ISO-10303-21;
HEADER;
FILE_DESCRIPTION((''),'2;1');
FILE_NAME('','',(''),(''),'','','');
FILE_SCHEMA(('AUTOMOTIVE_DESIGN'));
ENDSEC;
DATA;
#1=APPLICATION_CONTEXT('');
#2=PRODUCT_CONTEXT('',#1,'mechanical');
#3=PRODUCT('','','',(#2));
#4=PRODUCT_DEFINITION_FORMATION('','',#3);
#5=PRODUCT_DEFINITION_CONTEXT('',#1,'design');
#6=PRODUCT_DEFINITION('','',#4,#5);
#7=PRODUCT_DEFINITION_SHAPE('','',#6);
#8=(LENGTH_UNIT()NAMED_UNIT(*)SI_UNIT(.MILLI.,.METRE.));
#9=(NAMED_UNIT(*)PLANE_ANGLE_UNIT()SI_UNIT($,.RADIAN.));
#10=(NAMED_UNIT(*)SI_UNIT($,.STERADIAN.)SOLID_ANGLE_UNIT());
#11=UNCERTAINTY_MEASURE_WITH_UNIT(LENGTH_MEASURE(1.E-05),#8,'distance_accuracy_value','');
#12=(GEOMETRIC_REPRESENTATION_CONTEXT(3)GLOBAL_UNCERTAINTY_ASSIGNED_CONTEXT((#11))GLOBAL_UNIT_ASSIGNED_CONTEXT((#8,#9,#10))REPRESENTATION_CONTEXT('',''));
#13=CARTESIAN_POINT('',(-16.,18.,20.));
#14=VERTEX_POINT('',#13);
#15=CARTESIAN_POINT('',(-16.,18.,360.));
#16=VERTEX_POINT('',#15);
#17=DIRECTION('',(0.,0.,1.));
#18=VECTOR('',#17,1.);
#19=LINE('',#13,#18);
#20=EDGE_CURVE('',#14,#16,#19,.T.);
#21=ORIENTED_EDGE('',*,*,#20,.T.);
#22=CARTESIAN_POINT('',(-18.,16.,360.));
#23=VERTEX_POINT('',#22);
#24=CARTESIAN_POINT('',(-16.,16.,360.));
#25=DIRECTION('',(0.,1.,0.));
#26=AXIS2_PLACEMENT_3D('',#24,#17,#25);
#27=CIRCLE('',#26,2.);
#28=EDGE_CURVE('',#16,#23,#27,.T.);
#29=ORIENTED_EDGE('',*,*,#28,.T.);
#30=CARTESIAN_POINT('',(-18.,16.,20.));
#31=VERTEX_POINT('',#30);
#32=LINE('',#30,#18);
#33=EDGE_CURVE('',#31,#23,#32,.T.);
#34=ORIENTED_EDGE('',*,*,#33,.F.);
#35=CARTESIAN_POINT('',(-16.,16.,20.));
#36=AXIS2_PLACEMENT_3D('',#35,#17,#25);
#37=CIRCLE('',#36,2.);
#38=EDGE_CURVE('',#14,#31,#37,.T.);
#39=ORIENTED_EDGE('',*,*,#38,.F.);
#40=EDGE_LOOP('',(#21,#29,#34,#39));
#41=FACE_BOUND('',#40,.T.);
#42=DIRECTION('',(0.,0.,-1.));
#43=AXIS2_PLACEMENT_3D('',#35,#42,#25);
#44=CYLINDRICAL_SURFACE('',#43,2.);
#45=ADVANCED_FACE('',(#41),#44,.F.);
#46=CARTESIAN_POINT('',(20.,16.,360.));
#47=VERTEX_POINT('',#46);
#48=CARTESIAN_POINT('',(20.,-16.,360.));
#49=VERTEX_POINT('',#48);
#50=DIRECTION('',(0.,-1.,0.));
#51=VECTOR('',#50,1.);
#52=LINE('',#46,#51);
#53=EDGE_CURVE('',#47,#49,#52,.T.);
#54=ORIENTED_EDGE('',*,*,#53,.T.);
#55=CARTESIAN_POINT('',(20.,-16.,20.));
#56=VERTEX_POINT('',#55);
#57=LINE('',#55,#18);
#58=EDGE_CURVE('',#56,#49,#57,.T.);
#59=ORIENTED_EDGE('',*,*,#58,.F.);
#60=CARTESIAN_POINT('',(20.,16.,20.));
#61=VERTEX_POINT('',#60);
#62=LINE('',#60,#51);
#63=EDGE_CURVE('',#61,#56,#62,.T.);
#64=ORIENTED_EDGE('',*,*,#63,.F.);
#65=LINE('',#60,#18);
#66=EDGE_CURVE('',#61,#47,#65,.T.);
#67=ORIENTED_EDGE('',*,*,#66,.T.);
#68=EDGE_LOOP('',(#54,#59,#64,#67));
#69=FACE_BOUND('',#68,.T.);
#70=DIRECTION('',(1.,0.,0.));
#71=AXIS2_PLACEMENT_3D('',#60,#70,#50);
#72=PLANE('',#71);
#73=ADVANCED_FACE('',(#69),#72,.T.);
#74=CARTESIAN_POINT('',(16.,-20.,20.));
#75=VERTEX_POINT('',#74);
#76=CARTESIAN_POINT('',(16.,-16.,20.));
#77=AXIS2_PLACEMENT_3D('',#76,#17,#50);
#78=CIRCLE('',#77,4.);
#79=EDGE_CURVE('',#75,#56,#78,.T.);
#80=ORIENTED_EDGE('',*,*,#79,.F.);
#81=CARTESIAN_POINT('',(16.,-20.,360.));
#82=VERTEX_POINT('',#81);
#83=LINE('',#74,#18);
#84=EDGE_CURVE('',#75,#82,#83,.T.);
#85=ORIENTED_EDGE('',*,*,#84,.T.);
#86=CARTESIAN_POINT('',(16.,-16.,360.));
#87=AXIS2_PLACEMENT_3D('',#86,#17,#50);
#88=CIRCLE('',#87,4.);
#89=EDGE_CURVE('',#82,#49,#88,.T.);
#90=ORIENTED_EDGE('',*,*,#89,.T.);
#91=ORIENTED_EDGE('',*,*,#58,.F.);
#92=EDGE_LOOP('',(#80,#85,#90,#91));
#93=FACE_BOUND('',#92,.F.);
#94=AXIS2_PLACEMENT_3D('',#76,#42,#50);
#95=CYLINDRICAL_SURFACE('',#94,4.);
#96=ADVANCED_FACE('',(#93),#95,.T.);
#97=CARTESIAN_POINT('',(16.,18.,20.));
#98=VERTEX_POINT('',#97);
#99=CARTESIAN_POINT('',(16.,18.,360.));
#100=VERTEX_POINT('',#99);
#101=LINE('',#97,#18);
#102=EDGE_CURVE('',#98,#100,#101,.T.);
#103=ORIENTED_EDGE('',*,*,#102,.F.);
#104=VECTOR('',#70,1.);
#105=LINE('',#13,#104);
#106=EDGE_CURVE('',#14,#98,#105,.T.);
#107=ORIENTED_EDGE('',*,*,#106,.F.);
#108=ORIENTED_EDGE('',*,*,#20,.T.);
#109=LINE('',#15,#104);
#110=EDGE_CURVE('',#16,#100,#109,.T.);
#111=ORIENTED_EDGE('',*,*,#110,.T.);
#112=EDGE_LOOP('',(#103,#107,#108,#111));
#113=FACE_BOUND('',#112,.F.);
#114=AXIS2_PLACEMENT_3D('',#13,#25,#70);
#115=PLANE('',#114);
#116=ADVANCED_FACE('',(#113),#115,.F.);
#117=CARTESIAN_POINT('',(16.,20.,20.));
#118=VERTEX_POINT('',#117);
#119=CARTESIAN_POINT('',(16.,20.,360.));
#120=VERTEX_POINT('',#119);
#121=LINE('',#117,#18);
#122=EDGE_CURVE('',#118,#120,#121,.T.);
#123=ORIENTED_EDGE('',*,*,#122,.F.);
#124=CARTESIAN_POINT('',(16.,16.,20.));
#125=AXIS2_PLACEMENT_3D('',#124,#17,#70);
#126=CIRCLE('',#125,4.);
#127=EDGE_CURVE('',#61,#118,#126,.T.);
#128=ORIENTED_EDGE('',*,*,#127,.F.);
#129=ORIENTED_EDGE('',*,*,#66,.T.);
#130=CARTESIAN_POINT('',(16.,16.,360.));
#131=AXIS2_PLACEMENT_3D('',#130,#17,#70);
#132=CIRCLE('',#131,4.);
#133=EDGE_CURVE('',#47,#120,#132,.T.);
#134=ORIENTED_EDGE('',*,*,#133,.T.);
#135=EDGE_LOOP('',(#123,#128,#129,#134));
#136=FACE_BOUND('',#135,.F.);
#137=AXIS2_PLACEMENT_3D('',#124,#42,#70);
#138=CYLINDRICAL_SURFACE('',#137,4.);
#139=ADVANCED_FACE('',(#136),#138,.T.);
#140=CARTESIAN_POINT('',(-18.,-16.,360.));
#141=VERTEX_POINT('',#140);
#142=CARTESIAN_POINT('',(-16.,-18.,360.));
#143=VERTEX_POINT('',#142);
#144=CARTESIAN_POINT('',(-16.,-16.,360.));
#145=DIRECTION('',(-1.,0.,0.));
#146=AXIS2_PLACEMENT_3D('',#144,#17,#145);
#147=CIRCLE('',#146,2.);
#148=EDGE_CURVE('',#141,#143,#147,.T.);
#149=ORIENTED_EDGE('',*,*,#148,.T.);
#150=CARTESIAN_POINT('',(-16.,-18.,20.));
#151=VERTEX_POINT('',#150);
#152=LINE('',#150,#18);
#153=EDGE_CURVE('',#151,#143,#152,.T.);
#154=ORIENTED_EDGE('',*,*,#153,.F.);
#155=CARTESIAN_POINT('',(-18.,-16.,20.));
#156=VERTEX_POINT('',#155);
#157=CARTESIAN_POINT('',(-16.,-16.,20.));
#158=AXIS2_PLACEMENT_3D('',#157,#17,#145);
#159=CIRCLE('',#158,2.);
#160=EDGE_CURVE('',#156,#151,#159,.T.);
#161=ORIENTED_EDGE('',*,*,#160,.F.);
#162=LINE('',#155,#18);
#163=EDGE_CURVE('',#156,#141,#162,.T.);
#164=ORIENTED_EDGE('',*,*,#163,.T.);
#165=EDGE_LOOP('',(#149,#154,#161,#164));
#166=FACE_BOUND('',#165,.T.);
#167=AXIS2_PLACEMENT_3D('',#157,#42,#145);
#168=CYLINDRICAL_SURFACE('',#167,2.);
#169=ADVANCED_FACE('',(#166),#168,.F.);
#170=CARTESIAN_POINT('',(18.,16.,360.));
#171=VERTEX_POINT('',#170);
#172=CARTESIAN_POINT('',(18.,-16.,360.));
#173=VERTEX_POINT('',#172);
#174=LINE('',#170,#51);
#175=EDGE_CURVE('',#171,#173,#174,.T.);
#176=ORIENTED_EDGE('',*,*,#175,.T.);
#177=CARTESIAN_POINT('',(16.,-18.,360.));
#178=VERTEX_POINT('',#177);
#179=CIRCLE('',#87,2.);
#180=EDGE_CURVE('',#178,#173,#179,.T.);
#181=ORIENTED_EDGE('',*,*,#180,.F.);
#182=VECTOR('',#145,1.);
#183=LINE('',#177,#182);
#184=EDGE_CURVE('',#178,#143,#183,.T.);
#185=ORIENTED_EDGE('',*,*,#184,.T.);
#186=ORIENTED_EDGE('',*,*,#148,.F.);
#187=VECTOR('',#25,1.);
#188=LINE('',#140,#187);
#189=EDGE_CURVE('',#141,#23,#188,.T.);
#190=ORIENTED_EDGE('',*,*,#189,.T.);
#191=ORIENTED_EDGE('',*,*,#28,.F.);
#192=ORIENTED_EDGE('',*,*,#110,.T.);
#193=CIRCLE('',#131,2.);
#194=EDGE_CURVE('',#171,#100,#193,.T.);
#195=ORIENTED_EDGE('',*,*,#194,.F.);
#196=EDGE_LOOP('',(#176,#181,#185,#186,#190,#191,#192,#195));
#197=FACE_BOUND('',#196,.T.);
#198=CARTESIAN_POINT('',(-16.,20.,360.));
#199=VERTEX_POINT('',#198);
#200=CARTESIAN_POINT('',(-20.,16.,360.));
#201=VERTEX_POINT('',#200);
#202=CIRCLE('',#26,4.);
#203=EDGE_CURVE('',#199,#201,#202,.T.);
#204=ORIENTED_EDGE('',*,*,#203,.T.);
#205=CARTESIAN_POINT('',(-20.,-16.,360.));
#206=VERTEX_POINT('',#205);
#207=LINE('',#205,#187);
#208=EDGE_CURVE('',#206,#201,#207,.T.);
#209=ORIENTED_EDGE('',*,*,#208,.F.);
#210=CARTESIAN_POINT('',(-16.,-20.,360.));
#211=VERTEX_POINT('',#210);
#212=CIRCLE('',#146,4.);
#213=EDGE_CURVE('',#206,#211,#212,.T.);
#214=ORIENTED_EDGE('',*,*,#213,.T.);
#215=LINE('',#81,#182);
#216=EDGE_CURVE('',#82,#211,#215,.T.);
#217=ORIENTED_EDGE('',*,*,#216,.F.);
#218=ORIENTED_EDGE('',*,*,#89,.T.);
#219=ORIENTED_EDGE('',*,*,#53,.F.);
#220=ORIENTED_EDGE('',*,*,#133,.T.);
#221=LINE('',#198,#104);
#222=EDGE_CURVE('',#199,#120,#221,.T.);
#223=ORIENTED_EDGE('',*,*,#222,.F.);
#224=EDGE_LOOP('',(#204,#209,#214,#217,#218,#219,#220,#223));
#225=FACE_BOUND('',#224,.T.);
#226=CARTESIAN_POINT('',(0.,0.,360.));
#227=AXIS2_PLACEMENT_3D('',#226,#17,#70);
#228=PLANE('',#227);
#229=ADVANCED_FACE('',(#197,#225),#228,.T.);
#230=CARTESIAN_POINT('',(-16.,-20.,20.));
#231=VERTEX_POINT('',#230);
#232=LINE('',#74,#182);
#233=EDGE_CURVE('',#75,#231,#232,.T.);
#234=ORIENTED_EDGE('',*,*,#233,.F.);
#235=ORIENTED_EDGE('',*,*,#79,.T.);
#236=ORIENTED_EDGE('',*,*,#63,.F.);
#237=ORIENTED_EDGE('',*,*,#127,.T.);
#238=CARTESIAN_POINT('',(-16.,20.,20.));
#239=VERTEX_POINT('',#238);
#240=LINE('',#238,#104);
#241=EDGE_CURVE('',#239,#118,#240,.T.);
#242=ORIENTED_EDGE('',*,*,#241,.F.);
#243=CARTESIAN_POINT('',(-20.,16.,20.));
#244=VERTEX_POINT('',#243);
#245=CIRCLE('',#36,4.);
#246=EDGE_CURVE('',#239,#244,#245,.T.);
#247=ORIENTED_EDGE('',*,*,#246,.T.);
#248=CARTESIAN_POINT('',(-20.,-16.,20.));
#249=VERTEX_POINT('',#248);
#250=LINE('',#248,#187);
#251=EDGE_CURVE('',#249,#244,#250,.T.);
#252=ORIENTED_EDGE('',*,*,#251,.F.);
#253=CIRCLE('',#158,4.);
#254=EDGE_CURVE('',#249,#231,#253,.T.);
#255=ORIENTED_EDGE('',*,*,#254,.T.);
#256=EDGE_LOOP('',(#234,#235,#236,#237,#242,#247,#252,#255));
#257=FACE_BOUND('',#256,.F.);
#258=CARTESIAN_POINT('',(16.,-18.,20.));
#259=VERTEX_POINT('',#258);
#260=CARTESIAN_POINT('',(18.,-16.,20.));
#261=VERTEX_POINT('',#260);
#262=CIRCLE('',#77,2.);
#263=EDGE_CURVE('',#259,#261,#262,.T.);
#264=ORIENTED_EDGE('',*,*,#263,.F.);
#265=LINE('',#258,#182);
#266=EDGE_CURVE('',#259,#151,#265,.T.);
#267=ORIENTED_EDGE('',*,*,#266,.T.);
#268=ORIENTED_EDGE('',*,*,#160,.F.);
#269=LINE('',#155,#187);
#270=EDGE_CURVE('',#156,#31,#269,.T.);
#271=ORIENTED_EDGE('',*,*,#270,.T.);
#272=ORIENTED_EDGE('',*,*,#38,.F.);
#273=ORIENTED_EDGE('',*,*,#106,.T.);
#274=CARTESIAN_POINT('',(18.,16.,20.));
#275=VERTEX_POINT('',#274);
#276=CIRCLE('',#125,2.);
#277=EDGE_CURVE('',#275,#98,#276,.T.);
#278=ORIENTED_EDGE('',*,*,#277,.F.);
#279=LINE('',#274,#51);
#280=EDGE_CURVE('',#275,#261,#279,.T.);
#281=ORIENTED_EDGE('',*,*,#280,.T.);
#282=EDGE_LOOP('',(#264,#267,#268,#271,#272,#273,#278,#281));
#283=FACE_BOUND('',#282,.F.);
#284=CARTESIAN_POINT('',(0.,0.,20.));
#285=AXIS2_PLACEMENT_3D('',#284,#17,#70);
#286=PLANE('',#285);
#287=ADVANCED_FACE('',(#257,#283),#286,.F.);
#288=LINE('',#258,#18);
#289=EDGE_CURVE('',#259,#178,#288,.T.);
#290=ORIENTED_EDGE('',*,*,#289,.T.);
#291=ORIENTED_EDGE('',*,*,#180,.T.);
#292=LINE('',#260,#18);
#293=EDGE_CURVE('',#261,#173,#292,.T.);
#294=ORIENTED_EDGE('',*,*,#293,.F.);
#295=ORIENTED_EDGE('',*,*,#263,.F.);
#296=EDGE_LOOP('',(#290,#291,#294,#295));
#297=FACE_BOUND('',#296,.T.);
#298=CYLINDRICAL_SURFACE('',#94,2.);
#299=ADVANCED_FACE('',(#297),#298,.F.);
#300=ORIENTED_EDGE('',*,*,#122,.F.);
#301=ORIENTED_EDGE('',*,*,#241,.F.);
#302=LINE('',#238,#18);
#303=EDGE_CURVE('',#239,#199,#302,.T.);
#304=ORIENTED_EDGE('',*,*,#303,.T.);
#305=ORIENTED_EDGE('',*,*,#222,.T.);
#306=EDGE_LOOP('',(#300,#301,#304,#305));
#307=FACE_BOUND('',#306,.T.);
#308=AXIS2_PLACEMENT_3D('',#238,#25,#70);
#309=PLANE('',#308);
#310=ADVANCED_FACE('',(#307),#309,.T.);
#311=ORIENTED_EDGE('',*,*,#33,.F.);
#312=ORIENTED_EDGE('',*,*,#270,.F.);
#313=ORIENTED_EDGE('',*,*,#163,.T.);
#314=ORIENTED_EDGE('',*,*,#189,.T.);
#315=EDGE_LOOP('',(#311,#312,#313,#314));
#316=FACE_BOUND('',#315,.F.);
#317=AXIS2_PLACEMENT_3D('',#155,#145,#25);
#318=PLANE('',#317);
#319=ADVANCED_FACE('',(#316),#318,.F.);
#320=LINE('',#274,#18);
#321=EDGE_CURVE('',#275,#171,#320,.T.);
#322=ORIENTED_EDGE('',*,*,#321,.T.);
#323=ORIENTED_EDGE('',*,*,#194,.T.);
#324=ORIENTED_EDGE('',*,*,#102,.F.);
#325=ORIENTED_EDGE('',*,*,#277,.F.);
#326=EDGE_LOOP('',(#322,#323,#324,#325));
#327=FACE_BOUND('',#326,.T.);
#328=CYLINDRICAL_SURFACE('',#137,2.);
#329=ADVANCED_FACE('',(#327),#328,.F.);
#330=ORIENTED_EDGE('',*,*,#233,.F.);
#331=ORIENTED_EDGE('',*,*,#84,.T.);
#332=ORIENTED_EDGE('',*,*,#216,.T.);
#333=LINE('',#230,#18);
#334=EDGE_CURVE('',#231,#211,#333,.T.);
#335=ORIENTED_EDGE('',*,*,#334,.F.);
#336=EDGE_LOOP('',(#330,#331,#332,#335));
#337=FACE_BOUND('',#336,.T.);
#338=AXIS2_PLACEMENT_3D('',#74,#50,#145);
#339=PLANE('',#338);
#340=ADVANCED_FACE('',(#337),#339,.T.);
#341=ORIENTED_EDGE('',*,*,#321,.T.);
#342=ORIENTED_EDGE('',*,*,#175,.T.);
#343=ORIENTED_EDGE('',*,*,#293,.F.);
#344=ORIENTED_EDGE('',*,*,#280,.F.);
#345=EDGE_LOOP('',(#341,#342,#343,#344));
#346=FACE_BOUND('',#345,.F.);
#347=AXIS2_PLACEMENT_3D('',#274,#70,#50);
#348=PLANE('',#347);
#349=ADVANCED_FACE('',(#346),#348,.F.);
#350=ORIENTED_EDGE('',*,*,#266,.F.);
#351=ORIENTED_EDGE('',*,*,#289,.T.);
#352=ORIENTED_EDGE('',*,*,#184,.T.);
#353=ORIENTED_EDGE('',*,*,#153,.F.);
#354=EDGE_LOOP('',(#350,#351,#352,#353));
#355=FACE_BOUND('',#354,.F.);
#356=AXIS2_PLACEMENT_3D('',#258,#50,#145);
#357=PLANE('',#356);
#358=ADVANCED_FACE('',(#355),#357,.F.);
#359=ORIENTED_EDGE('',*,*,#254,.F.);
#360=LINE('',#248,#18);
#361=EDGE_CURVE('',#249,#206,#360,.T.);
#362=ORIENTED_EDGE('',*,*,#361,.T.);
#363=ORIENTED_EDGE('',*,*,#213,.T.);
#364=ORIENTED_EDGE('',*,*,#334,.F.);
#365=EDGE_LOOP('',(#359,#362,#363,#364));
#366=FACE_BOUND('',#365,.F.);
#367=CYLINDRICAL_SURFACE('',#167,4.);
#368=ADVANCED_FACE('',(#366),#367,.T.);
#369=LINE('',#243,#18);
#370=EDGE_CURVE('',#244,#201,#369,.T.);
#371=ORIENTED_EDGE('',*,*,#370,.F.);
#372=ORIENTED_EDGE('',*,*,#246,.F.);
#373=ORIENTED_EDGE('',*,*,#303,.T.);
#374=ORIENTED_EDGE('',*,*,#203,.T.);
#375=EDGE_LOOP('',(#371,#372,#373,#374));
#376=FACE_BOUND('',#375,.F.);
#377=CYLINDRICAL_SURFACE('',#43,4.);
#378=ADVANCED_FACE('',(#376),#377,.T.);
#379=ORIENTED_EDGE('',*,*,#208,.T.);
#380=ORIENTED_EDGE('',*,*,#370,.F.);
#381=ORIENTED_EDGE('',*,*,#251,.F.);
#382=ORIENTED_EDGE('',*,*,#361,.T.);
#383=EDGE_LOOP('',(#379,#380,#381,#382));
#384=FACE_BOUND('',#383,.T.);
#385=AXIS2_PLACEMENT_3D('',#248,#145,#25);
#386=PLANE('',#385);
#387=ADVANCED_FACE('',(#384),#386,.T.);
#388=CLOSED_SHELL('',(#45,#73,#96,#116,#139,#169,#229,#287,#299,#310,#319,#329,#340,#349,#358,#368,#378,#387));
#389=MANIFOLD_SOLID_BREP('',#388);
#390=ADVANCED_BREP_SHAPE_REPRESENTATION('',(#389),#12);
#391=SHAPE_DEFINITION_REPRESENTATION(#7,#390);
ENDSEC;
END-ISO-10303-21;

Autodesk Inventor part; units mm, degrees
ref_plane "YZ Plane" through (0, 0, 0) normal (1, 0, 0) x (0, 1, 0)
ref_plane "Start Plane" through (0, 0, 20) normal (0, 0, 1) x (1, 0, 0)
ref_plane "End Plane" through (0, 0, 360) normal (0, 0, 1) x (1, 0, 0)
sketch "Sketch" plane through (0, 0, 0) normal (0, 0, 1) x (1, 0, 0)
  line L0 (-20, -16) -> (-20, 16)
  line L1 (-16, 20) -> (16, 20)
  line L2 (20, 16) -> (20, -16)
  line L3 (16, -20) -> (-16, -20)
  arc A0 (-20, -16) -> (-16, -20) centre (-16, -16) ccw
  arc A1 (20, 16) -> (16, 20) centre (16, 16) ccw
  arc A2 (-16, 20) -> (-20, 16) centre (-16, 16) ccw
  arc A3 (16, -20) -> (20, -16) centre (16, -16) ccw
  arc A4 (-16, 18) -> (-18, 16) centre (-16, 16) ccw
  line L4 (-16, 18) -> (16, 18)
  arc A5 (18, 16) -> (16, 18) centre (16, 16) ccw
  line L5 (18, 16) -> (18, -16)
  arc A6 (16, -18) -> (18, -16) centre (16, -16) ccw
  line L6 (16, -18) -> (-16, -18)
  arc A7 (-18, -16) -> (-16, -18) centre (-16, -16) ccw
  line L7 (-18, -16) -> (-18, 16)
  line L8 (0, 29.1598) -> (0, -29.1598) construction
  line L9 (-29.1598, 0) -> (29.1598, 0) construction
  dimension "d7" = 4
  dimension "d9" = 40
  dimension "d11" = 40
  dimension "d12" = 2
  dimension "d15" = 20
  dimension "d16" = 20
extrude "Body" add sketch "Sketch" along normal up to surface (340 mm away) from surface at 20
sketch "Sketch3" plane through (0, 0, 0) normal (0, 0, 1) x (1, 0, 0)
  line L0 (0, 0) -> (10, 0)
ref_plane "Work Plane3" through (0, 0, 0) normal (0, -1, 0) x (1, 0, 0)
sketch "Sketch4" plane through (0, 0, 0) normal (0, -1, 0) x (1, 0, 0)
  line L0 (-2, 20) -> (12, 20) projected
  line L1 (-2, 360) -> (12, 360) projected
  dimension "d18" = 340
equation "\"d7\" = G_IR"
equation "\"d9\" = G_W"
equation "\"d11\" = G_H"
equation "\"d12\" = G_T"
equation "\"d15\" = 0.5 * d9"
equation "\"d16\" = 0.5 * d11"
equation "\"d3\" = G_L"
equation "\"G_W\" = 40"
equation "\"G_H\" = 40"
equation "\"G_T\" = 2"
equation "\"G_IR\" = 4"
equation "\"G_L\" = d18"
properties part number "ISO 10799-2 - 40x40x2 - 340" material "Steel, Mild"
